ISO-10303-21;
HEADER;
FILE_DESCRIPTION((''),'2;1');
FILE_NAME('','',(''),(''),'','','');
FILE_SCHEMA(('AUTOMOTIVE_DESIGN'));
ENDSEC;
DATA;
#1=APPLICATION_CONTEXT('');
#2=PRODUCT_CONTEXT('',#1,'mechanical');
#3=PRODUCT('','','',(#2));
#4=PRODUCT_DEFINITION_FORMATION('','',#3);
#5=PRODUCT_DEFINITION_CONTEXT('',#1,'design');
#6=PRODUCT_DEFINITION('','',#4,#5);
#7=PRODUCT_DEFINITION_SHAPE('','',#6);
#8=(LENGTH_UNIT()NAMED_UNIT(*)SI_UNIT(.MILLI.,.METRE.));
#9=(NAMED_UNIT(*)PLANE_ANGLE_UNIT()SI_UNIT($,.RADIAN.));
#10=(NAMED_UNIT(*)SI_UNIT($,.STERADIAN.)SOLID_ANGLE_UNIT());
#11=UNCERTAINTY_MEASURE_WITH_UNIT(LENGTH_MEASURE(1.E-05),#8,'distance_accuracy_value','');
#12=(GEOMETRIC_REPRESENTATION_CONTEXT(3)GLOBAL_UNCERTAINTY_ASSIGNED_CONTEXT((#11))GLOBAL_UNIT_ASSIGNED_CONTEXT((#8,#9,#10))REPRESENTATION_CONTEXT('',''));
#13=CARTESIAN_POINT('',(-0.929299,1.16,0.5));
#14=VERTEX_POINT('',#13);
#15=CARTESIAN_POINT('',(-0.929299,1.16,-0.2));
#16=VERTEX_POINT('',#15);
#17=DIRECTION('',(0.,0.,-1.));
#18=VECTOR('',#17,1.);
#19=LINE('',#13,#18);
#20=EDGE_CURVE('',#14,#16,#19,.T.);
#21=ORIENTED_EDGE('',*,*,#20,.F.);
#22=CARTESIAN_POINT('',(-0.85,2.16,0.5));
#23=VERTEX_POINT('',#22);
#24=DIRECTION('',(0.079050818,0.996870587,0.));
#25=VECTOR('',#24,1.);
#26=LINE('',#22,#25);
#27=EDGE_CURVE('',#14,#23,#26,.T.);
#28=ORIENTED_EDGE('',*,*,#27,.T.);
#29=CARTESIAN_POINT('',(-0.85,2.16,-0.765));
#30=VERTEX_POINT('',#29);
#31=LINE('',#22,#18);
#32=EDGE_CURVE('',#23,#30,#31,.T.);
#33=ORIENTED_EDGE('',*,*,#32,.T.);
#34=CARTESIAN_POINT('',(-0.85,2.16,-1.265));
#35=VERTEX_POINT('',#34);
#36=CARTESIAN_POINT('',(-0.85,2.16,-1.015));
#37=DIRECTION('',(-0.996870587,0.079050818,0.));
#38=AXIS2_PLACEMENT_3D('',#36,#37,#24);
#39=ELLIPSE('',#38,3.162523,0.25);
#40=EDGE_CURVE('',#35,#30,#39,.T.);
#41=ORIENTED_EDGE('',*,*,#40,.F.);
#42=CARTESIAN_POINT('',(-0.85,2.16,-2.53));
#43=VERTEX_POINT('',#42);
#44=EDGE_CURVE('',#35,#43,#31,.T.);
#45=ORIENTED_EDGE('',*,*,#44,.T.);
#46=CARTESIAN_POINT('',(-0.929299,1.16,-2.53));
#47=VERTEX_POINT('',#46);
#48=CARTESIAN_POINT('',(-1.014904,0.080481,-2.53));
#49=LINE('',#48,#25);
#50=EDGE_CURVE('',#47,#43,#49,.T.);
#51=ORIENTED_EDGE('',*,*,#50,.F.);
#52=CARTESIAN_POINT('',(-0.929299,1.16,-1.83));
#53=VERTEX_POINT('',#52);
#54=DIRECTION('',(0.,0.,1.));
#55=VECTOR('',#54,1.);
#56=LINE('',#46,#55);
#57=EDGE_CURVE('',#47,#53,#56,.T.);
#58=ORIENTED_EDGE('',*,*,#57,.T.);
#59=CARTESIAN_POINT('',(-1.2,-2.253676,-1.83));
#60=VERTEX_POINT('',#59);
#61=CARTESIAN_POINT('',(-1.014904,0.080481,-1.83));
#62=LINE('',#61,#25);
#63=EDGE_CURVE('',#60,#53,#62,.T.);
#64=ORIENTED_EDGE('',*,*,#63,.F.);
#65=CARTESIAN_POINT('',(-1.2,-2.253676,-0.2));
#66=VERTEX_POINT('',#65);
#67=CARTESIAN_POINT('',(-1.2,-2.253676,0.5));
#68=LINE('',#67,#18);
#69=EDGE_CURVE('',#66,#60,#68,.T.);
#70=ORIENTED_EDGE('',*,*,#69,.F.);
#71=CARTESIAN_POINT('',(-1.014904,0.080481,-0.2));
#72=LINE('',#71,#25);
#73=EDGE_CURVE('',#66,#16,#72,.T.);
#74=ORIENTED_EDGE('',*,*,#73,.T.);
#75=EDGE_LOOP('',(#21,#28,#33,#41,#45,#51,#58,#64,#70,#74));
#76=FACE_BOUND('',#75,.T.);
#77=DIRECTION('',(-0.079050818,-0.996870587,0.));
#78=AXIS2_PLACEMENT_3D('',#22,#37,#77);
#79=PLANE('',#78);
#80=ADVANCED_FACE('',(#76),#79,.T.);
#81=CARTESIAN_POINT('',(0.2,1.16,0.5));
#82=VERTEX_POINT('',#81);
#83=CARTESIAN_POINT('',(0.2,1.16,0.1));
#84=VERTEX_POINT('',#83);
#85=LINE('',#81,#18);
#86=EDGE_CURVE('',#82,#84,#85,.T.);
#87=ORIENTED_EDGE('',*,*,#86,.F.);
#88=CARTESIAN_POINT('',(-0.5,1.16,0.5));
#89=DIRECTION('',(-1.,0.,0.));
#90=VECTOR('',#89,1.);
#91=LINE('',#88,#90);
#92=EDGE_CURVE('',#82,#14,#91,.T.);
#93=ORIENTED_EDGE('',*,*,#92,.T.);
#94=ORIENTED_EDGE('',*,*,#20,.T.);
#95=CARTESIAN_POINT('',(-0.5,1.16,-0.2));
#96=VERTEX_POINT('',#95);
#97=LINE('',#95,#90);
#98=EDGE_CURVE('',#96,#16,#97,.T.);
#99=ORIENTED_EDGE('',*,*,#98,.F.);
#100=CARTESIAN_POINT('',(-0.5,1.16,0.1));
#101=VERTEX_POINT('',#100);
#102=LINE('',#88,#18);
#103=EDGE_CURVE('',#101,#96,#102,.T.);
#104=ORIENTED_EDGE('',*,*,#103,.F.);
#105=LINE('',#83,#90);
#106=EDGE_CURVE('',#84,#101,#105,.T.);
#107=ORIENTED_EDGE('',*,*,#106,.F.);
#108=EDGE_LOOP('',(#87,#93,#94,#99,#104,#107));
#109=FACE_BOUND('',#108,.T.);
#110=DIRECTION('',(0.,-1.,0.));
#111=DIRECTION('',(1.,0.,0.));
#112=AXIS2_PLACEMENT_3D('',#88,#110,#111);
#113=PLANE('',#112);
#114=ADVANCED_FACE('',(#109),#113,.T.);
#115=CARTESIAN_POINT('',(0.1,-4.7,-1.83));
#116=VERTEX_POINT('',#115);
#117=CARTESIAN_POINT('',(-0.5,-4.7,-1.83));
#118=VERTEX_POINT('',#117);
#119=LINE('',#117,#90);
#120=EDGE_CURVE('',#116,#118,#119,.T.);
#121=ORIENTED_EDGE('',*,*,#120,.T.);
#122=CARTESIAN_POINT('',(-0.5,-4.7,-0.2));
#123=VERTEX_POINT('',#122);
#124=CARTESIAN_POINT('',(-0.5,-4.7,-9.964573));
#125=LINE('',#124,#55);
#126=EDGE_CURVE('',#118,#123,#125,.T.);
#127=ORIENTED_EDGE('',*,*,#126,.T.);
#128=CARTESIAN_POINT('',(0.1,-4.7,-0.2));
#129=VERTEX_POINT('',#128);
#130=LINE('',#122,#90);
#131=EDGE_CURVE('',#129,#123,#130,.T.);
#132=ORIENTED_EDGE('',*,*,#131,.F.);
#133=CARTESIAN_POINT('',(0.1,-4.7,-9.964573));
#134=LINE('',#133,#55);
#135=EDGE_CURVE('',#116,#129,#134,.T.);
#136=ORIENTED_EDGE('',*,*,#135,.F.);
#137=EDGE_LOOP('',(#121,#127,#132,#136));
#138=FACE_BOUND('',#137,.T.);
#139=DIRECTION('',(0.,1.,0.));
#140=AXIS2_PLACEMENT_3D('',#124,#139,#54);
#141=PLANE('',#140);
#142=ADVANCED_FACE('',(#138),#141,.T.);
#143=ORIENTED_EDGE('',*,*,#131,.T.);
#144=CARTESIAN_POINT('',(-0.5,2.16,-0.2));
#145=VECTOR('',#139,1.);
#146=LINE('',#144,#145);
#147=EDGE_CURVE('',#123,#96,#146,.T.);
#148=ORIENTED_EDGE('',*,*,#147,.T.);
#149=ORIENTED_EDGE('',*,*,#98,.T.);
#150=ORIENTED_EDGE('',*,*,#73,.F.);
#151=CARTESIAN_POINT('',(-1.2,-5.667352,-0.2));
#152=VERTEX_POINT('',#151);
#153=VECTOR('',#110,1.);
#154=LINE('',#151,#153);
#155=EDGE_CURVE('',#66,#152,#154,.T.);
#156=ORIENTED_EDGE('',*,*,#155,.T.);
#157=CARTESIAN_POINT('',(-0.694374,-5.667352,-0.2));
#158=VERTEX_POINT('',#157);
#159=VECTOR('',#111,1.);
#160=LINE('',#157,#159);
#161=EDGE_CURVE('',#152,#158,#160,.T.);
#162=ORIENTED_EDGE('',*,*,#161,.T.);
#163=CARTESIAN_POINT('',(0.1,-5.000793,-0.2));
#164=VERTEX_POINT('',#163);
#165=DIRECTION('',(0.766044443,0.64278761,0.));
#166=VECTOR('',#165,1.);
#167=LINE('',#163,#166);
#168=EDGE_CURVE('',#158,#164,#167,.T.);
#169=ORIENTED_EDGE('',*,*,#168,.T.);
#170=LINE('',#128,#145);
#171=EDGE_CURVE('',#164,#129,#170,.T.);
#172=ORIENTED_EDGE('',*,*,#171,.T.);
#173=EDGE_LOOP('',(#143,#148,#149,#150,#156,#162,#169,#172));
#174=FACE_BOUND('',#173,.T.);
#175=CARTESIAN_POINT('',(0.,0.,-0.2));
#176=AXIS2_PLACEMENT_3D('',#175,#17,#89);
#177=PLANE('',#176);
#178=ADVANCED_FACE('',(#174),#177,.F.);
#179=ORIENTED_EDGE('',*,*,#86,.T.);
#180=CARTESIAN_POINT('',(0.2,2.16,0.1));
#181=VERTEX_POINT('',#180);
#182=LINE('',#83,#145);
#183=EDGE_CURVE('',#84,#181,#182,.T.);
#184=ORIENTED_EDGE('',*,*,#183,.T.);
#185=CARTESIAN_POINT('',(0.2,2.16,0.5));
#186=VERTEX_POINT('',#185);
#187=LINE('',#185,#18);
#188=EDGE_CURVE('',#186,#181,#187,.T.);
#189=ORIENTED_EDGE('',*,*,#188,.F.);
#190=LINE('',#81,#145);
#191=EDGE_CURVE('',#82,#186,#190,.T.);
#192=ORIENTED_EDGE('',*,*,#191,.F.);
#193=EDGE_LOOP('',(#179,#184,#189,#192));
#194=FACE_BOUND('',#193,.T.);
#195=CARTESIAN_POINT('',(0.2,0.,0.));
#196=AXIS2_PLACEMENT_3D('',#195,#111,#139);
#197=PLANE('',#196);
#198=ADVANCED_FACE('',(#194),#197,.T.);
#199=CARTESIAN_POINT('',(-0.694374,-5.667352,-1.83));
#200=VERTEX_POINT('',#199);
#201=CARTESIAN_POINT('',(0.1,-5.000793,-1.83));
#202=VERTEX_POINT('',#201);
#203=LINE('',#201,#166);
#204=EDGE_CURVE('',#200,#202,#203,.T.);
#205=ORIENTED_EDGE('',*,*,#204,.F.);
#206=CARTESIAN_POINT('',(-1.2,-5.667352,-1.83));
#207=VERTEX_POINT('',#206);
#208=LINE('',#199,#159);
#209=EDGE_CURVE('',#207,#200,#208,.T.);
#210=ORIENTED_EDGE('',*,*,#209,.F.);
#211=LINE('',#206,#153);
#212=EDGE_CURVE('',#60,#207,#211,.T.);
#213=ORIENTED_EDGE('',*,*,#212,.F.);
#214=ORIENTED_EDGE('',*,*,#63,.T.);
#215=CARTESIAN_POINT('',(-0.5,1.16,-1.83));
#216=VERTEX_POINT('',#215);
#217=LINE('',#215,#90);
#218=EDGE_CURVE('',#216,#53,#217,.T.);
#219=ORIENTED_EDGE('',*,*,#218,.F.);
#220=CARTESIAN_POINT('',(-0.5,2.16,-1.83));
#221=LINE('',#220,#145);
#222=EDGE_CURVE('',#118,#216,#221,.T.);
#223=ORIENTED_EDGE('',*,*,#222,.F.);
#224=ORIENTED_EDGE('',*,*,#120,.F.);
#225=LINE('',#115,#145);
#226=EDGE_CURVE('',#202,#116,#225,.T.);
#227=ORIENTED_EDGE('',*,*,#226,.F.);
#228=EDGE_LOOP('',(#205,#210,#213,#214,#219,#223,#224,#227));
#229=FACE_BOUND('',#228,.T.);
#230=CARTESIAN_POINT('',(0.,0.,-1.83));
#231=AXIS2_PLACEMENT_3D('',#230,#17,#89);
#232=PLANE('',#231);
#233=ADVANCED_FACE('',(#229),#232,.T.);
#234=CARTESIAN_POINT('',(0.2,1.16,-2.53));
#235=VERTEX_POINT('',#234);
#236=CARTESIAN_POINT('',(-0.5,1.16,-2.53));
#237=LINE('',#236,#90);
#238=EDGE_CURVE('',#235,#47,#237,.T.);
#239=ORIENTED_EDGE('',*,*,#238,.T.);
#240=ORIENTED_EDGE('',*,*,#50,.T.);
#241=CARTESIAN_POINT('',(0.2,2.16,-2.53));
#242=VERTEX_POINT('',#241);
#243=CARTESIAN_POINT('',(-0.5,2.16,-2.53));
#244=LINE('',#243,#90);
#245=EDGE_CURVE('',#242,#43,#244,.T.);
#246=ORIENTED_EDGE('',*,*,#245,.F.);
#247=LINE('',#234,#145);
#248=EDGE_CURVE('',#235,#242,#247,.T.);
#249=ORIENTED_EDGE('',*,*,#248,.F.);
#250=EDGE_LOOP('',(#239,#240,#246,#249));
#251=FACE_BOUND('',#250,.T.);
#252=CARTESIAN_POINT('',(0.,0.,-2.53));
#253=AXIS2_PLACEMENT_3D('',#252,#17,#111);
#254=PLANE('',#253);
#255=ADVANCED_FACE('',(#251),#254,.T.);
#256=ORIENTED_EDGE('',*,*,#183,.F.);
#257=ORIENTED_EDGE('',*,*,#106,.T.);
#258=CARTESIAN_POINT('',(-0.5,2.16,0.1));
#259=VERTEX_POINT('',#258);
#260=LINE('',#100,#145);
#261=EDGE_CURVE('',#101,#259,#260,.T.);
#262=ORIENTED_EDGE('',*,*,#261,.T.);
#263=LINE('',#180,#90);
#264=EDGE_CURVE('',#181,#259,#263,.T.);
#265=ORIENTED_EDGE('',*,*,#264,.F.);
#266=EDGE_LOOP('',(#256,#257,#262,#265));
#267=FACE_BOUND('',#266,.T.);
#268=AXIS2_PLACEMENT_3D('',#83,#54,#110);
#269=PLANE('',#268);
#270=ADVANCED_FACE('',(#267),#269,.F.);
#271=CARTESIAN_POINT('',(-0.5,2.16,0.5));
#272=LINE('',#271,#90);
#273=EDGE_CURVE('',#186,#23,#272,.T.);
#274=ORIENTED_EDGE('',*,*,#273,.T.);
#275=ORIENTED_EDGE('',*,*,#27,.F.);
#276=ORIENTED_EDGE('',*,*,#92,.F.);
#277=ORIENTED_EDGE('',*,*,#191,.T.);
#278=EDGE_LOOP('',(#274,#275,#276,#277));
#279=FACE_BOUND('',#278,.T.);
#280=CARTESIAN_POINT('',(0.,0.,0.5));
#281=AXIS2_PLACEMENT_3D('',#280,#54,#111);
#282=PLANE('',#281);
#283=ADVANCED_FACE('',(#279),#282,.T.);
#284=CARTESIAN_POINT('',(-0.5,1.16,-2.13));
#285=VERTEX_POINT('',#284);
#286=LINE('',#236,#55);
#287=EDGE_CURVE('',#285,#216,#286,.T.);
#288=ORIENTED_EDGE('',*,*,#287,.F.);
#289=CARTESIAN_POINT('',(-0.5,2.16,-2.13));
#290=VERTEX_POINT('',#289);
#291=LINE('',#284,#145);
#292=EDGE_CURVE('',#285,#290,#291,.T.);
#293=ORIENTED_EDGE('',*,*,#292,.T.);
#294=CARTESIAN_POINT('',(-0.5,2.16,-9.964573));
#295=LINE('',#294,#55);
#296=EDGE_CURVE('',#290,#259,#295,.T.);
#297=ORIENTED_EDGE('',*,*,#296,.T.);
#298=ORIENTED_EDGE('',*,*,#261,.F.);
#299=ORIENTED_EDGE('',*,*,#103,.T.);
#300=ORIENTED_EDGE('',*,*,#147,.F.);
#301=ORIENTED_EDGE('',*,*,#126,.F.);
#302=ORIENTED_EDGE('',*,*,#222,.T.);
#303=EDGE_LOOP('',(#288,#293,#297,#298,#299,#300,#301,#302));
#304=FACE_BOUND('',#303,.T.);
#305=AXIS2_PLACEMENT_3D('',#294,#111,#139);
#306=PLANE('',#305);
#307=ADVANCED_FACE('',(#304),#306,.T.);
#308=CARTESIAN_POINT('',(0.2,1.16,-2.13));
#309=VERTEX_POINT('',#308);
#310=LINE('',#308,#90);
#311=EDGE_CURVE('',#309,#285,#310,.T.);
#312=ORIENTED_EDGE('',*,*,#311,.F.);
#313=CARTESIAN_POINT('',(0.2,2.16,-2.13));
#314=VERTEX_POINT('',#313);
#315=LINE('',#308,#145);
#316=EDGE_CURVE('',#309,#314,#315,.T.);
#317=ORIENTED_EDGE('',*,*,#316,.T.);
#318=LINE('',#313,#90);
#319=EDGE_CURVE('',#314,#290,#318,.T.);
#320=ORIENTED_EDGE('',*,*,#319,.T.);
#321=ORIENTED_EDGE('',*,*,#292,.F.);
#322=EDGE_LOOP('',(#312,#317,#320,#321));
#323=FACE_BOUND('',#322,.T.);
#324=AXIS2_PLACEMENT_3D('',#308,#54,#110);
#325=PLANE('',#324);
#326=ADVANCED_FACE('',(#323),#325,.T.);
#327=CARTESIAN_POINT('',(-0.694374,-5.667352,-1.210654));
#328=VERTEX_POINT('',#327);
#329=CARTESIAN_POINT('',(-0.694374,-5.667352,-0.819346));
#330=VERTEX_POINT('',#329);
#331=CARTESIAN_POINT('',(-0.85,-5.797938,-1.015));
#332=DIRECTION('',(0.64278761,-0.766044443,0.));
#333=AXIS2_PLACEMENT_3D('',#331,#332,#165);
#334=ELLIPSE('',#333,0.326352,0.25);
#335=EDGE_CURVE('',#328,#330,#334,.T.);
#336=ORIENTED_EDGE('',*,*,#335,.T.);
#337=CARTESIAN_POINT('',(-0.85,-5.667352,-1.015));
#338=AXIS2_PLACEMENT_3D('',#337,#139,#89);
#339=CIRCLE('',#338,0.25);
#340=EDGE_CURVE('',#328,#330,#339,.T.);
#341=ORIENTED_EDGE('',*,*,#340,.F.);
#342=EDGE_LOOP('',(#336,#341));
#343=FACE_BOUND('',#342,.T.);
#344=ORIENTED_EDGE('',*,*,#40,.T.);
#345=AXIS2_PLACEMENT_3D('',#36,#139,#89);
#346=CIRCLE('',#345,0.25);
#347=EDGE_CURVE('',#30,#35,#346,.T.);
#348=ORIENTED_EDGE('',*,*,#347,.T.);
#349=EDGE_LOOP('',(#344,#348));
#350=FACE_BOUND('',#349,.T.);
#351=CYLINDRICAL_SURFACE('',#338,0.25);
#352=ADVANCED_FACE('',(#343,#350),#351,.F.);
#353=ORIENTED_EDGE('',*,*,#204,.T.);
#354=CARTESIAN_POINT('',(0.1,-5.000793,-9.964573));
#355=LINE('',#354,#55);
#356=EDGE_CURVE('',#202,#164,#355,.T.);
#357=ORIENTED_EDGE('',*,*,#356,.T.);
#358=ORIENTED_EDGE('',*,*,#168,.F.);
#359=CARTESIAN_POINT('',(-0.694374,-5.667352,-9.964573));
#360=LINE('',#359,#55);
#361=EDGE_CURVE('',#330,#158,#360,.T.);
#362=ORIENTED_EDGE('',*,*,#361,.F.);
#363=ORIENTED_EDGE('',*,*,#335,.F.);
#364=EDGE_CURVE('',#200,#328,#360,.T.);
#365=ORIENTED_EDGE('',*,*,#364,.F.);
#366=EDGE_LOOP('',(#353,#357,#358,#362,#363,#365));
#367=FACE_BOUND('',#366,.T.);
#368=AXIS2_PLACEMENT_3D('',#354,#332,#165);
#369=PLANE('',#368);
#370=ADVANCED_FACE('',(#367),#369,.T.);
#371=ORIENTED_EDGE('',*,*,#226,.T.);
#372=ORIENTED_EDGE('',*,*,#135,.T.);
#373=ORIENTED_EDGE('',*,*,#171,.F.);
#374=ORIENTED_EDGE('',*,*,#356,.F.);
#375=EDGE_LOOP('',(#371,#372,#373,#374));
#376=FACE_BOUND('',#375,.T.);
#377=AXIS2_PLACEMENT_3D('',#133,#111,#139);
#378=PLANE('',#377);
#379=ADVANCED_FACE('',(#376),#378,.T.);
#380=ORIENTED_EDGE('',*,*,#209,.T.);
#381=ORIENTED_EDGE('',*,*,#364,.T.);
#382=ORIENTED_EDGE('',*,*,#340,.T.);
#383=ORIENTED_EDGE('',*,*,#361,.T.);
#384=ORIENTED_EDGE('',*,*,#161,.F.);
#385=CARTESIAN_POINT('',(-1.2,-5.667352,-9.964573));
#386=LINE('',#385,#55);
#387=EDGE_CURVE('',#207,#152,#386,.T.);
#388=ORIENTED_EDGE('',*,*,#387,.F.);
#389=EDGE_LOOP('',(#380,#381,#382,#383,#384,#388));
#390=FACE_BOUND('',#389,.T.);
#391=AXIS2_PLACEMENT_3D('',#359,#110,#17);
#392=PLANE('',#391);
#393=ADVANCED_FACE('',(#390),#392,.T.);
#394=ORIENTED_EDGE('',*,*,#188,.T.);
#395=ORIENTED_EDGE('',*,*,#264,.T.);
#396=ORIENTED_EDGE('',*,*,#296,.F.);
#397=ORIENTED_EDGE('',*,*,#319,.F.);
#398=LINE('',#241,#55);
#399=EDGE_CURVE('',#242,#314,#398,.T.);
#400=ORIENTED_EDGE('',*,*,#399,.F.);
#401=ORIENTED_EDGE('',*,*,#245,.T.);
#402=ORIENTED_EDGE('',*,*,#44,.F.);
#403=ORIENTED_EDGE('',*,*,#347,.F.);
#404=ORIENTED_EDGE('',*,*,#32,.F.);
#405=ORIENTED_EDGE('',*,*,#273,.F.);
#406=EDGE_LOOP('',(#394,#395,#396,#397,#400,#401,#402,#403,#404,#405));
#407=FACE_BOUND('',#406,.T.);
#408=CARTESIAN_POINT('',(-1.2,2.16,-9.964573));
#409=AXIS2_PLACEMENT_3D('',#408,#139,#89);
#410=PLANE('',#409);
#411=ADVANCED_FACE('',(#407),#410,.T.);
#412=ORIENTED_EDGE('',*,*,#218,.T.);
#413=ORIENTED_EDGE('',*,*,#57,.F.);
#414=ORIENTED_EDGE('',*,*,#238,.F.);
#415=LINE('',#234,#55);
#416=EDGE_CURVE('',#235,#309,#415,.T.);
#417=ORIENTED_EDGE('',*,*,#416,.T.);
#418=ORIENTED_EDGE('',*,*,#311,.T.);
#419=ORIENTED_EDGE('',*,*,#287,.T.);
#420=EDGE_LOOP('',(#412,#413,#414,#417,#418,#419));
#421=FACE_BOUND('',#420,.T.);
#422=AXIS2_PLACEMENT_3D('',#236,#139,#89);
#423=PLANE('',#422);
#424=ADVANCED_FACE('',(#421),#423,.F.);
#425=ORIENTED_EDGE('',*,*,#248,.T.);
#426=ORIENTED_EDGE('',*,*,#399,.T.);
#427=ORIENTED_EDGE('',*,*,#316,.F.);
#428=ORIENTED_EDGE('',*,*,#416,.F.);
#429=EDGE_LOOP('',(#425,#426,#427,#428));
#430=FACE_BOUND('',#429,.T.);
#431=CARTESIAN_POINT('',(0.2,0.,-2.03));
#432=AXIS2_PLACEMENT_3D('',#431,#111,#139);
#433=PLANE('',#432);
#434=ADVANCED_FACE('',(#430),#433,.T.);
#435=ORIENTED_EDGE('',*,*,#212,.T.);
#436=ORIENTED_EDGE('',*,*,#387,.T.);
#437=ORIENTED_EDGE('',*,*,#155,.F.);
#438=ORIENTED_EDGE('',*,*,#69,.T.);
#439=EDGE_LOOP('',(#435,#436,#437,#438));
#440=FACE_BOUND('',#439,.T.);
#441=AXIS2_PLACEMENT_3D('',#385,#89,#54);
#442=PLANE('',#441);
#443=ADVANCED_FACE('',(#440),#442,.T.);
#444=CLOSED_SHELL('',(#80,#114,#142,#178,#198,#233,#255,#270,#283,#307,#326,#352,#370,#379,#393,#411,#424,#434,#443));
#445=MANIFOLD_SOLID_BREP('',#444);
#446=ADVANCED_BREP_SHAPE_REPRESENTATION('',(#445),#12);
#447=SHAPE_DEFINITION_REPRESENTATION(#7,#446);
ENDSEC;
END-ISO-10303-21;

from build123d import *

# Parameters (mm, degrees)
BOSS_EXTRUDE2_START     = -0.2
BOSS_EXTRUDE2_DEPTH     = 1.63
SKETCH5_W               = 0.7
SKETCH5_H               = 1
BOSS_EXTRUDE4_DEPTH     = 0.7
SKETCH6_W               = 0.4
SKETCH6_H               = 1
BOSS_EXTRUDE5_DEPTH     = 0.7
CUT_EXTRUDE1_DEPTH      = 0.7
CUT_EXTRUDE1_DEPTH_BACK = 3.33
SKETCH7_R               = 0.25
CUT_EXTRUDE2_DEPTH      = 8.827352199


with BuildPart() as part:
    # Sketch2 → Boss-Extrude2 (new body)
    with BuildSketch(Plane.XY.offset(BOSS_EXTRUDE2_START)):
        Polygon((-0.5, 2.16), (-0.5, -4.7), (0.1, -4.7), (0.1, -5.000793217), (-0.694374061, -5.667352199), (-1.2, -5.667352199), (-1.2, 2.16), align=None)
    extrude(amount=-BOSS_EXTRUDE2_DEPTH)

    # Sketch5 → Boss-Extrude4 (add)
    with BuildSketch(Plane.XY.offset(-0.2)):
        with Locations((-0.85, 1.66)):
            Rectangle(SKETCH5_W, SKETCH5_H)
    boss_extrude4 = extrude(amount=BOSS_EXTRUDE4_DEPTH)

    # Sketch6 → Boss-Extrude5 (add)
    with BuildSketch(Plane(origin=(-0.5, 0, 0), x_dir=(0, 0, -1), z_dir=(1, 0, 0))):
        with Locations((-0.3, 1.66)):
            Rectangle(SKETCH6_W, SKETCH6_H)
    boss_extrude5 = extrude(amount=BOSS_EXTRUDE5_DEPTH)

    # Mirror1: Boss-Extrude4, Boss-Extrude5 across plane
    add(boss_extrude4.mirror(Plane.XY.offset(-1.015)))
    add(boss_extrude5.mirror(Plane.XY.offset(-1.015)))

    # Sketch3 → Cut-Extrude1 (cut, two sides)
    with BuildSketch(Plane.XY.offset(-0.2)) as cut_extrude1_sk:
        Polygon((-0.85, 2.16), (-1.2, -2.2536761), (-1.2, 2.16), align=None)
    extrude(amount=CUT_EXTRUDE1_DEPTH, mode=Mode.SUBTRACT)
    extrude(cut_extrude1_sk.sketch, amount=-CUT_EXTRUDE1_DEPTH_BACK, mode=Mode.SUBTRACT)

    # Sketch7 → Cut-Extrude2 (cut, through all)
    with BuildSketch(Plane(origin=(0, 2.16, 0), x_dir=(1, 0, 0), z_dir=(0, 1, 0))):
        with Locations((-0.85, 1.015)):
            Circle(SKETCH7_R)
    extrude(amount=-CUT_EXTRUDE2_DEPTH, mode=Mode.SUBTRACT)


solid = part.part
